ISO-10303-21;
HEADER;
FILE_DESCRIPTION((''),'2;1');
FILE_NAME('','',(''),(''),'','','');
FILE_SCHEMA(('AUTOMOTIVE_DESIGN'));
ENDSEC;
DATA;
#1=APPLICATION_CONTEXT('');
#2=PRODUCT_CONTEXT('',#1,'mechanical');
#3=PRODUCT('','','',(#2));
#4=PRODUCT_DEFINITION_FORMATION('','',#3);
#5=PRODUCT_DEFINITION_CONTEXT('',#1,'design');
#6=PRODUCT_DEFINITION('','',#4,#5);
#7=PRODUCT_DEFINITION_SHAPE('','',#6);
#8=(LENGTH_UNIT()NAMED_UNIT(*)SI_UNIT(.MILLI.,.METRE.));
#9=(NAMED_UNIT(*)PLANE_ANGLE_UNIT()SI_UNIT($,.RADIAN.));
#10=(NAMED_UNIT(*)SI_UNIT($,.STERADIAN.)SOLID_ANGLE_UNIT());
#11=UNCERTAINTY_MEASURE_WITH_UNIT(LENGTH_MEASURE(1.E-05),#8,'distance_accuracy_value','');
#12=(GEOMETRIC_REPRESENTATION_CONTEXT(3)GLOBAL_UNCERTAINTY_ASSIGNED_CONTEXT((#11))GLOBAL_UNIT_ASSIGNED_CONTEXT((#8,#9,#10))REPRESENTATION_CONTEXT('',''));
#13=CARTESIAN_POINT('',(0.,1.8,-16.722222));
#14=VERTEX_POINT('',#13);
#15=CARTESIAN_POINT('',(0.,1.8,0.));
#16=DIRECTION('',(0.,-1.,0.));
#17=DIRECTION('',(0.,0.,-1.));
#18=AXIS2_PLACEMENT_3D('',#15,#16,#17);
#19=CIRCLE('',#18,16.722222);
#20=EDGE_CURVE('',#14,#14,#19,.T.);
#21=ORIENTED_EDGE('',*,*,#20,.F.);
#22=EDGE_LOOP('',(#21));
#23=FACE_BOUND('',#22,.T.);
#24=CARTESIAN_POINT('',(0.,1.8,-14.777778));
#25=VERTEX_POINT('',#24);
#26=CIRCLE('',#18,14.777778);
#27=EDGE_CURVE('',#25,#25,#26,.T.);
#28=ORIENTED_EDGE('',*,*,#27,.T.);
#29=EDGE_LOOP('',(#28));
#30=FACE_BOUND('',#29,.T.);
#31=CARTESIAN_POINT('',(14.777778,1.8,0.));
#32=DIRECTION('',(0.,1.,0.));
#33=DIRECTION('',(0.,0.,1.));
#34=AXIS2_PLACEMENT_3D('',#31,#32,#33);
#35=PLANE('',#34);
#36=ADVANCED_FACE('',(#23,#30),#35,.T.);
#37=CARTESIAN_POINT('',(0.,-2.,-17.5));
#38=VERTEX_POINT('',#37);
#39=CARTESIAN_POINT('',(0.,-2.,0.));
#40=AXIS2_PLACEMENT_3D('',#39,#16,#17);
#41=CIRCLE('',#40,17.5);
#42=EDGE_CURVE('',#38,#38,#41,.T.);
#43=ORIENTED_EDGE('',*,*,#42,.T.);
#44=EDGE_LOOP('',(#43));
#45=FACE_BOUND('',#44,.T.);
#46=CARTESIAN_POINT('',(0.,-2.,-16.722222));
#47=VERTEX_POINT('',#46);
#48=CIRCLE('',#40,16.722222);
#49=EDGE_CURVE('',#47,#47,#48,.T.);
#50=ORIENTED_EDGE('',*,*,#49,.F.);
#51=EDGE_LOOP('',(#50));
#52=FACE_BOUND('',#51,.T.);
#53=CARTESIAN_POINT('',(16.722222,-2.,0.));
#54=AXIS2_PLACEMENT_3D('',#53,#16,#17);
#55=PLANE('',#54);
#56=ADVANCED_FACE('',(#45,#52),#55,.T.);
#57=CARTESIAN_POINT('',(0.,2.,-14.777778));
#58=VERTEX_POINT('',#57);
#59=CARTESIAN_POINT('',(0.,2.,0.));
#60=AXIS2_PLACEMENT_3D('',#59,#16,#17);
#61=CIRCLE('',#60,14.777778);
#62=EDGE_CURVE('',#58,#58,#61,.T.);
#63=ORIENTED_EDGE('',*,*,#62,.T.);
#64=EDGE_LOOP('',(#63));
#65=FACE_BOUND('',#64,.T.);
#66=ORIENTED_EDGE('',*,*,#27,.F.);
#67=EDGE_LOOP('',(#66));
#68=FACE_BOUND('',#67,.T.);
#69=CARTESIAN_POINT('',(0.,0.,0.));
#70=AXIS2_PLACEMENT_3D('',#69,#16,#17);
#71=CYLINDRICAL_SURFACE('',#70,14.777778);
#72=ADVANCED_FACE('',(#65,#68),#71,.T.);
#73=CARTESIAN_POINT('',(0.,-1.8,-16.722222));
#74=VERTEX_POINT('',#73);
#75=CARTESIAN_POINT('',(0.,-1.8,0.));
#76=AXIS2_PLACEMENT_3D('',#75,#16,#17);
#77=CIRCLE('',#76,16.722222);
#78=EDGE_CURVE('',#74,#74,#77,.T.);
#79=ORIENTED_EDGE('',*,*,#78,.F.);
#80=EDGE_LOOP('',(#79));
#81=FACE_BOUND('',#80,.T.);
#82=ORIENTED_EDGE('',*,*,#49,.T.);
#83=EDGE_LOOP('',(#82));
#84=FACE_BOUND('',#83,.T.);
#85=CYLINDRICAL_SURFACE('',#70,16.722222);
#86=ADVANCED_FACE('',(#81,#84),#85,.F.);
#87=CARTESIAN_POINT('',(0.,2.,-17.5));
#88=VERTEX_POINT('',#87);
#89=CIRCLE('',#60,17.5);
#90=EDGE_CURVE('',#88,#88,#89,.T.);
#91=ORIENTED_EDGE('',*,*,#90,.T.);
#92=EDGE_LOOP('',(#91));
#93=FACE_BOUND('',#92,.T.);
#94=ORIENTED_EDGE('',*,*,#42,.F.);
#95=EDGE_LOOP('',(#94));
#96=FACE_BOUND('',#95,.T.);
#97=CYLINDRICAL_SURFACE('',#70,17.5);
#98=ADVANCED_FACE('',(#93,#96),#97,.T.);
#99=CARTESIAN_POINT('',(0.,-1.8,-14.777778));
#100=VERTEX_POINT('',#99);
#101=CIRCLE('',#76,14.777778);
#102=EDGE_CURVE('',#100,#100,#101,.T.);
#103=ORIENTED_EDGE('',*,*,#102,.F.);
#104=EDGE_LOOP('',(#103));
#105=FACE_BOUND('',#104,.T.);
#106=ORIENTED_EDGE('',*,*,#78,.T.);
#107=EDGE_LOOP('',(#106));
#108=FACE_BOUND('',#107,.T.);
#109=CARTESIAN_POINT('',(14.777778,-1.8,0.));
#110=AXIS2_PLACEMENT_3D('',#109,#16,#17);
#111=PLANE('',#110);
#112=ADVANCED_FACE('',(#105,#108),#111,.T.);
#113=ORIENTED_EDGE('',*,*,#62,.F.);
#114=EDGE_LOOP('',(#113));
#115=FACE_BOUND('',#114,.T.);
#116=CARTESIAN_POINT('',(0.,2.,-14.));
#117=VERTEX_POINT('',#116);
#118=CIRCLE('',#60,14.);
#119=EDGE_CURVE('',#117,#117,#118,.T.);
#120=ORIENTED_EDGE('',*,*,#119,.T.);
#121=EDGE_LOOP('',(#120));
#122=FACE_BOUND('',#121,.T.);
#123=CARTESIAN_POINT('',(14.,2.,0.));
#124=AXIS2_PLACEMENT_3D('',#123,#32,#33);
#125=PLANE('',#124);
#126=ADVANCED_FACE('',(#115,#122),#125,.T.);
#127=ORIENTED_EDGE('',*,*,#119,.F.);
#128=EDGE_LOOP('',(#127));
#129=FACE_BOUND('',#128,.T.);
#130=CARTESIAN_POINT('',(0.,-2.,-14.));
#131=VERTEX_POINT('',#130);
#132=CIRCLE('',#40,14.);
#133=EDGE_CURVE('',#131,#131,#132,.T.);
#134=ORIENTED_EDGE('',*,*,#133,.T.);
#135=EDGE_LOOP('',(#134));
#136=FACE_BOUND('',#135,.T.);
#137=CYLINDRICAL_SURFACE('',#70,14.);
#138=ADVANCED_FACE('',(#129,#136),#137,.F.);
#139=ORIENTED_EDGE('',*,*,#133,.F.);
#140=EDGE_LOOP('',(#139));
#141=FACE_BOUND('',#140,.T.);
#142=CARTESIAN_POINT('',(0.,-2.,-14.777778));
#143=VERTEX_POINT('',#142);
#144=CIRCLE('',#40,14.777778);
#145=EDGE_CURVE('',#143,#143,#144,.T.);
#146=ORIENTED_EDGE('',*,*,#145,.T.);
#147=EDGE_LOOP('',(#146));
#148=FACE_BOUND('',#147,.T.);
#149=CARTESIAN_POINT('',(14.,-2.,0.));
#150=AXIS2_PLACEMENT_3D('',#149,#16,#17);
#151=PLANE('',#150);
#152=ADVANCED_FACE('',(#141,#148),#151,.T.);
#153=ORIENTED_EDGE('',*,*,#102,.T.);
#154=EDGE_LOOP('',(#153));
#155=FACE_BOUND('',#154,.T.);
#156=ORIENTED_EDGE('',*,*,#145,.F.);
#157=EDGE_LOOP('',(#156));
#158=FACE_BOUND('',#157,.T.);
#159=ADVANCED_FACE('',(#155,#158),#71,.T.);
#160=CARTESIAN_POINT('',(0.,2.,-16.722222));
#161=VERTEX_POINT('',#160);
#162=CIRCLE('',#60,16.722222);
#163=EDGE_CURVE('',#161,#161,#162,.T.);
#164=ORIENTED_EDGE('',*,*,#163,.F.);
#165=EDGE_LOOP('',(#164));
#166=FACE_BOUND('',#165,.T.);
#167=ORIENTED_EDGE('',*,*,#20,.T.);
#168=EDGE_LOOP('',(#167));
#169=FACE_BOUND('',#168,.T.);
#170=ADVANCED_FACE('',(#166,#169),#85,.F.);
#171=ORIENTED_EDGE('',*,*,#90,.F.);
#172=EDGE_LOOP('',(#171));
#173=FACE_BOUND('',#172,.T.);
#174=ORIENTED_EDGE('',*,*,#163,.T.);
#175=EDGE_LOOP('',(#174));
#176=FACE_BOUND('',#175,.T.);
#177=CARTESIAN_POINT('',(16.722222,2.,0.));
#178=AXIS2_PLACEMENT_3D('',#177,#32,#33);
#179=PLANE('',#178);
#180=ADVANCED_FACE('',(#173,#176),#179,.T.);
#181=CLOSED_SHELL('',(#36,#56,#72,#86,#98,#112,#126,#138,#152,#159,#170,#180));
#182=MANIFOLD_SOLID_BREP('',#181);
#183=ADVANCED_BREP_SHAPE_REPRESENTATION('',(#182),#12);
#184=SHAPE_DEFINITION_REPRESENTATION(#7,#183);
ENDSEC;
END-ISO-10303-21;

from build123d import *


with BuildPart() as part:
    # 草图2 → 旋转1 (revolve)
    with BuildSketch(Plane.XY, mode=Mode.PRIVATE) as revolve_1_sk:
        Polygon((14, 2), (14, -2), (14.777777778, -2), (14.777777778, -1.8), (16.722222222, -1.8), (16.722222222, -2), (17.5, -2), (17.5, 2), (16.722222222, 2), (16.722222222, 1.8), (14.777777778, 1.8), (14.777777778, 2), align=None)
    revolve(revolve_1_sk.sketch.rotate(Axis((0, 0, 0), (0, 1, 0)), 90), axis=Axis((0, 0, 0), (0, 1, 0)))


solid = part.part
